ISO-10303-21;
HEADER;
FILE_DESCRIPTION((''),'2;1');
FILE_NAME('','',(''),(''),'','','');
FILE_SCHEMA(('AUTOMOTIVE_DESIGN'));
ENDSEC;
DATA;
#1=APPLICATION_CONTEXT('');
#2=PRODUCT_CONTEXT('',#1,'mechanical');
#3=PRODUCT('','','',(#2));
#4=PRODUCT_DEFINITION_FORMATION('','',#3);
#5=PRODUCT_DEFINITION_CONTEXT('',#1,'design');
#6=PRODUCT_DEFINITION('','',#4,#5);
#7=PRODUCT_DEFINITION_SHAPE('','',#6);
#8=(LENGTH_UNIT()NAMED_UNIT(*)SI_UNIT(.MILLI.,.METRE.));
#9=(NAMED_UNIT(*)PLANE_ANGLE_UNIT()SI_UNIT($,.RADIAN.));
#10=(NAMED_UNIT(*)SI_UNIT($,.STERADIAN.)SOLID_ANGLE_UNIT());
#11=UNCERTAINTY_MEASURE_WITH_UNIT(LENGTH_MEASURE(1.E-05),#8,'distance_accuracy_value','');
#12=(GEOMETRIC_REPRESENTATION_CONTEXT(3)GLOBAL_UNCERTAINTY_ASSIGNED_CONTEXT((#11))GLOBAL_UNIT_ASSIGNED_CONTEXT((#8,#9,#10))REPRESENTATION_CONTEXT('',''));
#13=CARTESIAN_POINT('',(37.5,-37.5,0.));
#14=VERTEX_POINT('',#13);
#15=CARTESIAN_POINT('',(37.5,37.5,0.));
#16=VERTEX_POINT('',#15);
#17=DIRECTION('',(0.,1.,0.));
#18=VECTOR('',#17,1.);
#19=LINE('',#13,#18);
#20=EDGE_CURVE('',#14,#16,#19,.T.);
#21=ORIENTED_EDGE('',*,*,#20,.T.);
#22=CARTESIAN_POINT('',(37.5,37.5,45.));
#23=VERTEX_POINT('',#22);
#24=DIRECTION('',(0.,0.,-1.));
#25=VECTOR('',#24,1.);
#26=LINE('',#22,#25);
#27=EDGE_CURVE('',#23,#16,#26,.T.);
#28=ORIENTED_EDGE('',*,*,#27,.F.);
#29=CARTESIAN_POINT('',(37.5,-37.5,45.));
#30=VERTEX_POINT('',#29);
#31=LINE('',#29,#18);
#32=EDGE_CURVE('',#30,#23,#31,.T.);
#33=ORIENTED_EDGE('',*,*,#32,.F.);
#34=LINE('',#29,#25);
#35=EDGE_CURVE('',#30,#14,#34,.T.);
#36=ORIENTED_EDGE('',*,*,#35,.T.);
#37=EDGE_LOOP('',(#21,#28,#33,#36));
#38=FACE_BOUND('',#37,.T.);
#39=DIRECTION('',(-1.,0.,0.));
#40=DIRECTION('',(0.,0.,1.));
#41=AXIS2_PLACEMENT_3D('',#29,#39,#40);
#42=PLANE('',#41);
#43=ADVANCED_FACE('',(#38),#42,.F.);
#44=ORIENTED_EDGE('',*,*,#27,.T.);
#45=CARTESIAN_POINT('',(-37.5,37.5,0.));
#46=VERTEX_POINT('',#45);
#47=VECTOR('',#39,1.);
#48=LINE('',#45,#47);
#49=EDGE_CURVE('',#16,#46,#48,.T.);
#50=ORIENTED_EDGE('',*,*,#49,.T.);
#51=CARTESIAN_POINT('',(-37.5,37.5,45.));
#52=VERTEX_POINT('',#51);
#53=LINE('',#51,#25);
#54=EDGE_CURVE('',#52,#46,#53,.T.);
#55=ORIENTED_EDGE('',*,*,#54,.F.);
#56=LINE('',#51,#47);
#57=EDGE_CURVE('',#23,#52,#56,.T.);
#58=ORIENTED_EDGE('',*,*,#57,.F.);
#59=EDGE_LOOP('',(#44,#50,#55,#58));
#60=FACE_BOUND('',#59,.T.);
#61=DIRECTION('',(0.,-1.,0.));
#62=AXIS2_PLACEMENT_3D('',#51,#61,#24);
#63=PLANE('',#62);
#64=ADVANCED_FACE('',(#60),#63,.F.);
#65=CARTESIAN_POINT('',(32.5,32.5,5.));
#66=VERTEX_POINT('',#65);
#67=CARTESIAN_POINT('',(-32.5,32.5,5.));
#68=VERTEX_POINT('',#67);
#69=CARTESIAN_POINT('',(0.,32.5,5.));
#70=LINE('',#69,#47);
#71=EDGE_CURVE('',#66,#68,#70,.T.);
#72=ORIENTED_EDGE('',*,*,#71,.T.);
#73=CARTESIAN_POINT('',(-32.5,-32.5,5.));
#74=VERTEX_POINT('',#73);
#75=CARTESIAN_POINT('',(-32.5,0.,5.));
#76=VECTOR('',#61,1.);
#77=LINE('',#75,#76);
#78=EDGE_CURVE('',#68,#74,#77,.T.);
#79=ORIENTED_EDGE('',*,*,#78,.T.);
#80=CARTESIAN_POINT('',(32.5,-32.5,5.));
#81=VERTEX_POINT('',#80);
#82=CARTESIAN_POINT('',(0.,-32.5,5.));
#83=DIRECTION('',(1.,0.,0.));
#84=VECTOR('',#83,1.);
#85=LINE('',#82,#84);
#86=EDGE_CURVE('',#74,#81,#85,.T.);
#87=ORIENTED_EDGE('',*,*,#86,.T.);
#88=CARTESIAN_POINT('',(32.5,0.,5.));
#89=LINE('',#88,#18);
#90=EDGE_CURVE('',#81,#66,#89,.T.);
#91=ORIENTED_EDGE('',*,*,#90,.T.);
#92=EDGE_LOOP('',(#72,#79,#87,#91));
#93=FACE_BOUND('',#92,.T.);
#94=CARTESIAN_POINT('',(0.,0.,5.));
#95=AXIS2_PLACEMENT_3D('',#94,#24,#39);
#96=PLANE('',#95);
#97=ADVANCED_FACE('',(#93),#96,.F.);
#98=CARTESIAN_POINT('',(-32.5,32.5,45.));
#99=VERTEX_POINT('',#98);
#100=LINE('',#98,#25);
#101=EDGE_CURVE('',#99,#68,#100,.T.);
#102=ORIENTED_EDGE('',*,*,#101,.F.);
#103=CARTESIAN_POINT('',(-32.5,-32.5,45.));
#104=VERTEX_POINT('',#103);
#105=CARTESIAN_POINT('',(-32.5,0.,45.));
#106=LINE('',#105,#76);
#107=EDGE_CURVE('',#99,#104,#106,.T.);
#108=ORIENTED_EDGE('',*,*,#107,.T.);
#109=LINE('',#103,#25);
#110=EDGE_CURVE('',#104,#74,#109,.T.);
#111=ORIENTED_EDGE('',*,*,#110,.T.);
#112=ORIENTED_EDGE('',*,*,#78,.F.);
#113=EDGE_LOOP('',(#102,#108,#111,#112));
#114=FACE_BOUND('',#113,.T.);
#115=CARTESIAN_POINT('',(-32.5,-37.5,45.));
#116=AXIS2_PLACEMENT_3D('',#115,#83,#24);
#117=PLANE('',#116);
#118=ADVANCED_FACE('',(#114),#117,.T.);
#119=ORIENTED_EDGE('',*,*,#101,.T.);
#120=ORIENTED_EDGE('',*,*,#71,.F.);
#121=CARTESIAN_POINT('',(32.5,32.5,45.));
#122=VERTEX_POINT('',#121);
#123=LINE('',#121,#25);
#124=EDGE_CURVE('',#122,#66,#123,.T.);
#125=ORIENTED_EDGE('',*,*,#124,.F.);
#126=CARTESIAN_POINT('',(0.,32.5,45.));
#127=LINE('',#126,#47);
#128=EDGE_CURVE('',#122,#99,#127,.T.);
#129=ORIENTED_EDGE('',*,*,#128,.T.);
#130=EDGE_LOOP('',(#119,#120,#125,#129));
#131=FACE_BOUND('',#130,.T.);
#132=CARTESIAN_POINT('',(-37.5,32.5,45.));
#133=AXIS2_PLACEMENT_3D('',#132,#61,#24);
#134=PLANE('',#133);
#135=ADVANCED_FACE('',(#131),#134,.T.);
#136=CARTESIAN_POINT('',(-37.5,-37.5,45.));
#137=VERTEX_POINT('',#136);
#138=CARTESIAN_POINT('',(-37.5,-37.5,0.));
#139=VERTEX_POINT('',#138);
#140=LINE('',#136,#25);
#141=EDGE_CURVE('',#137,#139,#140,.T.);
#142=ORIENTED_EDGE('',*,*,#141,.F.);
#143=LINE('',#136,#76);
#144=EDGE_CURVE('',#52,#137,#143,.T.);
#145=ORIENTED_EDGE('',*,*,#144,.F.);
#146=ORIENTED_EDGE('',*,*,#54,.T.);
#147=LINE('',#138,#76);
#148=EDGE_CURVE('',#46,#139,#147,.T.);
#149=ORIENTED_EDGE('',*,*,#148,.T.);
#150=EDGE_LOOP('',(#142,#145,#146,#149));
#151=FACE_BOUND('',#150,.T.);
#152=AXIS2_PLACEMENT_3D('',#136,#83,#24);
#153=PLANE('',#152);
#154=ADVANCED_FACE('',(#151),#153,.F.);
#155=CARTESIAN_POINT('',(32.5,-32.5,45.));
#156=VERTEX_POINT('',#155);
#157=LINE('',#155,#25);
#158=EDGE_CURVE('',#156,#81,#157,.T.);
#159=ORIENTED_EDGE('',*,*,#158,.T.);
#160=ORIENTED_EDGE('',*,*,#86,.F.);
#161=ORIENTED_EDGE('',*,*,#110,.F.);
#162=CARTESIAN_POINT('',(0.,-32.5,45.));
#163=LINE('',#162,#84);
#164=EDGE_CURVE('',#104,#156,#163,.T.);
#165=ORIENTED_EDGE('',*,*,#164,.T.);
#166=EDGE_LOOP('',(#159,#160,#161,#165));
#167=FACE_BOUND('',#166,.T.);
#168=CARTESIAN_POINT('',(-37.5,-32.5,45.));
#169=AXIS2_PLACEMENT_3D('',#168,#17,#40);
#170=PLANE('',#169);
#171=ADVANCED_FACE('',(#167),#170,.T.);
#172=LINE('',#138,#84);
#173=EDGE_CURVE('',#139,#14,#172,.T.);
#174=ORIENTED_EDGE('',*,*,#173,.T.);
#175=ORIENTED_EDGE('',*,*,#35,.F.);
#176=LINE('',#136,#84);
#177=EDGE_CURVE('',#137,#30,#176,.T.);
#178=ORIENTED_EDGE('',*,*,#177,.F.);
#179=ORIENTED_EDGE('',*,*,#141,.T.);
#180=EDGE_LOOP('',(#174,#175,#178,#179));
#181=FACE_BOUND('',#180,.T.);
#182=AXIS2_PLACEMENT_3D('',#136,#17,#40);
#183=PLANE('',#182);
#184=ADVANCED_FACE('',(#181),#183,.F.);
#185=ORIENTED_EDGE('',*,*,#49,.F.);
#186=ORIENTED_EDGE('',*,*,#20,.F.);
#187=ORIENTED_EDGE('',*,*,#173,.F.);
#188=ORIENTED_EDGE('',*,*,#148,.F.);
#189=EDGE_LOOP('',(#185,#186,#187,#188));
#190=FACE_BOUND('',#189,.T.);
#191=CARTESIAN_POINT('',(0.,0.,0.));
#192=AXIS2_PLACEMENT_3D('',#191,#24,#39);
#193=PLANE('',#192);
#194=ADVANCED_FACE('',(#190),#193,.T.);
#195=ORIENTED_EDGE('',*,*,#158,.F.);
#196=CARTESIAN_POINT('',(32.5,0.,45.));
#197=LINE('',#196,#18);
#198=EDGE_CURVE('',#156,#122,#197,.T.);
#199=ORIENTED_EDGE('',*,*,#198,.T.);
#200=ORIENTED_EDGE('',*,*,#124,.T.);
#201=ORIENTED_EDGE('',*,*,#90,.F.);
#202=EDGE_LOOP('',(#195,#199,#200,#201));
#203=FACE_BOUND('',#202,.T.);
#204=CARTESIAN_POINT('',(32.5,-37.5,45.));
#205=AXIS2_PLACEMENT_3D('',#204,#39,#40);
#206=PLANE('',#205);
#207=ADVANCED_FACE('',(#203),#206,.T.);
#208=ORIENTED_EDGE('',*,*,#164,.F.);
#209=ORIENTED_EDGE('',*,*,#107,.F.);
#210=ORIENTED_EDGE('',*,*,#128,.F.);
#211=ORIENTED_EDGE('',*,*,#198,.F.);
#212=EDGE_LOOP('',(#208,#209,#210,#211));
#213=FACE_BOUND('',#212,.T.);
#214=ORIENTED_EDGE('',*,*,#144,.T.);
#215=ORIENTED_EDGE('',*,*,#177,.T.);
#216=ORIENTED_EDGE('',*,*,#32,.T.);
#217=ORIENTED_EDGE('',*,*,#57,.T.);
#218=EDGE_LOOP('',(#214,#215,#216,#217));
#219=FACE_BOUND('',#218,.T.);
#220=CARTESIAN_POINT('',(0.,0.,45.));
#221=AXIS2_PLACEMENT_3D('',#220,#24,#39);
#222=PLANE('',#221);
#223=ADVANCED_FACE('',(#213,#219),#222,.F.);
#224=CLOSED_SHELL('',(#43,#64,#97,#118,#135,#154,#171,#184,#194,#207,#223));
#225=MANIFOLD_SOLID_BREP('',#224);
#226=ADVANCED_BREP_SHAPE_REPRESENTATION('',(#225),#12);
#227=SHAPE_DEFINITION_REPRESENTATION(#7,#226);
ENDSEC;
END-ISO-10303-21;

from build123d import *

# Parameters (mm, degrees)
SKETCH2_W           = 75
SKETCH2_H           = 75
BOSS_EXTRUDE1_DEPTH = 45
SHELL1_T            = -5


with BuildPart() as part:
    # Sketch2 → Boss-Extrude1 (new body)
    with BuildSketch(Plane.XY):
        Rectangle(SKETCH2_W, SKETCH2_H)
    extrude(amount=BOSS_EXTRUDE1_DEPTH)

    # Shell1
    shell1_openings = [part.faces().sort_by_distance(p)[0] for p in [
        (0, 0, 45),
    ]]
    offset(amount=SHELL1_T, openings=shell1_openings, kind=Kind.INTERSECTION)


solid = part.part
